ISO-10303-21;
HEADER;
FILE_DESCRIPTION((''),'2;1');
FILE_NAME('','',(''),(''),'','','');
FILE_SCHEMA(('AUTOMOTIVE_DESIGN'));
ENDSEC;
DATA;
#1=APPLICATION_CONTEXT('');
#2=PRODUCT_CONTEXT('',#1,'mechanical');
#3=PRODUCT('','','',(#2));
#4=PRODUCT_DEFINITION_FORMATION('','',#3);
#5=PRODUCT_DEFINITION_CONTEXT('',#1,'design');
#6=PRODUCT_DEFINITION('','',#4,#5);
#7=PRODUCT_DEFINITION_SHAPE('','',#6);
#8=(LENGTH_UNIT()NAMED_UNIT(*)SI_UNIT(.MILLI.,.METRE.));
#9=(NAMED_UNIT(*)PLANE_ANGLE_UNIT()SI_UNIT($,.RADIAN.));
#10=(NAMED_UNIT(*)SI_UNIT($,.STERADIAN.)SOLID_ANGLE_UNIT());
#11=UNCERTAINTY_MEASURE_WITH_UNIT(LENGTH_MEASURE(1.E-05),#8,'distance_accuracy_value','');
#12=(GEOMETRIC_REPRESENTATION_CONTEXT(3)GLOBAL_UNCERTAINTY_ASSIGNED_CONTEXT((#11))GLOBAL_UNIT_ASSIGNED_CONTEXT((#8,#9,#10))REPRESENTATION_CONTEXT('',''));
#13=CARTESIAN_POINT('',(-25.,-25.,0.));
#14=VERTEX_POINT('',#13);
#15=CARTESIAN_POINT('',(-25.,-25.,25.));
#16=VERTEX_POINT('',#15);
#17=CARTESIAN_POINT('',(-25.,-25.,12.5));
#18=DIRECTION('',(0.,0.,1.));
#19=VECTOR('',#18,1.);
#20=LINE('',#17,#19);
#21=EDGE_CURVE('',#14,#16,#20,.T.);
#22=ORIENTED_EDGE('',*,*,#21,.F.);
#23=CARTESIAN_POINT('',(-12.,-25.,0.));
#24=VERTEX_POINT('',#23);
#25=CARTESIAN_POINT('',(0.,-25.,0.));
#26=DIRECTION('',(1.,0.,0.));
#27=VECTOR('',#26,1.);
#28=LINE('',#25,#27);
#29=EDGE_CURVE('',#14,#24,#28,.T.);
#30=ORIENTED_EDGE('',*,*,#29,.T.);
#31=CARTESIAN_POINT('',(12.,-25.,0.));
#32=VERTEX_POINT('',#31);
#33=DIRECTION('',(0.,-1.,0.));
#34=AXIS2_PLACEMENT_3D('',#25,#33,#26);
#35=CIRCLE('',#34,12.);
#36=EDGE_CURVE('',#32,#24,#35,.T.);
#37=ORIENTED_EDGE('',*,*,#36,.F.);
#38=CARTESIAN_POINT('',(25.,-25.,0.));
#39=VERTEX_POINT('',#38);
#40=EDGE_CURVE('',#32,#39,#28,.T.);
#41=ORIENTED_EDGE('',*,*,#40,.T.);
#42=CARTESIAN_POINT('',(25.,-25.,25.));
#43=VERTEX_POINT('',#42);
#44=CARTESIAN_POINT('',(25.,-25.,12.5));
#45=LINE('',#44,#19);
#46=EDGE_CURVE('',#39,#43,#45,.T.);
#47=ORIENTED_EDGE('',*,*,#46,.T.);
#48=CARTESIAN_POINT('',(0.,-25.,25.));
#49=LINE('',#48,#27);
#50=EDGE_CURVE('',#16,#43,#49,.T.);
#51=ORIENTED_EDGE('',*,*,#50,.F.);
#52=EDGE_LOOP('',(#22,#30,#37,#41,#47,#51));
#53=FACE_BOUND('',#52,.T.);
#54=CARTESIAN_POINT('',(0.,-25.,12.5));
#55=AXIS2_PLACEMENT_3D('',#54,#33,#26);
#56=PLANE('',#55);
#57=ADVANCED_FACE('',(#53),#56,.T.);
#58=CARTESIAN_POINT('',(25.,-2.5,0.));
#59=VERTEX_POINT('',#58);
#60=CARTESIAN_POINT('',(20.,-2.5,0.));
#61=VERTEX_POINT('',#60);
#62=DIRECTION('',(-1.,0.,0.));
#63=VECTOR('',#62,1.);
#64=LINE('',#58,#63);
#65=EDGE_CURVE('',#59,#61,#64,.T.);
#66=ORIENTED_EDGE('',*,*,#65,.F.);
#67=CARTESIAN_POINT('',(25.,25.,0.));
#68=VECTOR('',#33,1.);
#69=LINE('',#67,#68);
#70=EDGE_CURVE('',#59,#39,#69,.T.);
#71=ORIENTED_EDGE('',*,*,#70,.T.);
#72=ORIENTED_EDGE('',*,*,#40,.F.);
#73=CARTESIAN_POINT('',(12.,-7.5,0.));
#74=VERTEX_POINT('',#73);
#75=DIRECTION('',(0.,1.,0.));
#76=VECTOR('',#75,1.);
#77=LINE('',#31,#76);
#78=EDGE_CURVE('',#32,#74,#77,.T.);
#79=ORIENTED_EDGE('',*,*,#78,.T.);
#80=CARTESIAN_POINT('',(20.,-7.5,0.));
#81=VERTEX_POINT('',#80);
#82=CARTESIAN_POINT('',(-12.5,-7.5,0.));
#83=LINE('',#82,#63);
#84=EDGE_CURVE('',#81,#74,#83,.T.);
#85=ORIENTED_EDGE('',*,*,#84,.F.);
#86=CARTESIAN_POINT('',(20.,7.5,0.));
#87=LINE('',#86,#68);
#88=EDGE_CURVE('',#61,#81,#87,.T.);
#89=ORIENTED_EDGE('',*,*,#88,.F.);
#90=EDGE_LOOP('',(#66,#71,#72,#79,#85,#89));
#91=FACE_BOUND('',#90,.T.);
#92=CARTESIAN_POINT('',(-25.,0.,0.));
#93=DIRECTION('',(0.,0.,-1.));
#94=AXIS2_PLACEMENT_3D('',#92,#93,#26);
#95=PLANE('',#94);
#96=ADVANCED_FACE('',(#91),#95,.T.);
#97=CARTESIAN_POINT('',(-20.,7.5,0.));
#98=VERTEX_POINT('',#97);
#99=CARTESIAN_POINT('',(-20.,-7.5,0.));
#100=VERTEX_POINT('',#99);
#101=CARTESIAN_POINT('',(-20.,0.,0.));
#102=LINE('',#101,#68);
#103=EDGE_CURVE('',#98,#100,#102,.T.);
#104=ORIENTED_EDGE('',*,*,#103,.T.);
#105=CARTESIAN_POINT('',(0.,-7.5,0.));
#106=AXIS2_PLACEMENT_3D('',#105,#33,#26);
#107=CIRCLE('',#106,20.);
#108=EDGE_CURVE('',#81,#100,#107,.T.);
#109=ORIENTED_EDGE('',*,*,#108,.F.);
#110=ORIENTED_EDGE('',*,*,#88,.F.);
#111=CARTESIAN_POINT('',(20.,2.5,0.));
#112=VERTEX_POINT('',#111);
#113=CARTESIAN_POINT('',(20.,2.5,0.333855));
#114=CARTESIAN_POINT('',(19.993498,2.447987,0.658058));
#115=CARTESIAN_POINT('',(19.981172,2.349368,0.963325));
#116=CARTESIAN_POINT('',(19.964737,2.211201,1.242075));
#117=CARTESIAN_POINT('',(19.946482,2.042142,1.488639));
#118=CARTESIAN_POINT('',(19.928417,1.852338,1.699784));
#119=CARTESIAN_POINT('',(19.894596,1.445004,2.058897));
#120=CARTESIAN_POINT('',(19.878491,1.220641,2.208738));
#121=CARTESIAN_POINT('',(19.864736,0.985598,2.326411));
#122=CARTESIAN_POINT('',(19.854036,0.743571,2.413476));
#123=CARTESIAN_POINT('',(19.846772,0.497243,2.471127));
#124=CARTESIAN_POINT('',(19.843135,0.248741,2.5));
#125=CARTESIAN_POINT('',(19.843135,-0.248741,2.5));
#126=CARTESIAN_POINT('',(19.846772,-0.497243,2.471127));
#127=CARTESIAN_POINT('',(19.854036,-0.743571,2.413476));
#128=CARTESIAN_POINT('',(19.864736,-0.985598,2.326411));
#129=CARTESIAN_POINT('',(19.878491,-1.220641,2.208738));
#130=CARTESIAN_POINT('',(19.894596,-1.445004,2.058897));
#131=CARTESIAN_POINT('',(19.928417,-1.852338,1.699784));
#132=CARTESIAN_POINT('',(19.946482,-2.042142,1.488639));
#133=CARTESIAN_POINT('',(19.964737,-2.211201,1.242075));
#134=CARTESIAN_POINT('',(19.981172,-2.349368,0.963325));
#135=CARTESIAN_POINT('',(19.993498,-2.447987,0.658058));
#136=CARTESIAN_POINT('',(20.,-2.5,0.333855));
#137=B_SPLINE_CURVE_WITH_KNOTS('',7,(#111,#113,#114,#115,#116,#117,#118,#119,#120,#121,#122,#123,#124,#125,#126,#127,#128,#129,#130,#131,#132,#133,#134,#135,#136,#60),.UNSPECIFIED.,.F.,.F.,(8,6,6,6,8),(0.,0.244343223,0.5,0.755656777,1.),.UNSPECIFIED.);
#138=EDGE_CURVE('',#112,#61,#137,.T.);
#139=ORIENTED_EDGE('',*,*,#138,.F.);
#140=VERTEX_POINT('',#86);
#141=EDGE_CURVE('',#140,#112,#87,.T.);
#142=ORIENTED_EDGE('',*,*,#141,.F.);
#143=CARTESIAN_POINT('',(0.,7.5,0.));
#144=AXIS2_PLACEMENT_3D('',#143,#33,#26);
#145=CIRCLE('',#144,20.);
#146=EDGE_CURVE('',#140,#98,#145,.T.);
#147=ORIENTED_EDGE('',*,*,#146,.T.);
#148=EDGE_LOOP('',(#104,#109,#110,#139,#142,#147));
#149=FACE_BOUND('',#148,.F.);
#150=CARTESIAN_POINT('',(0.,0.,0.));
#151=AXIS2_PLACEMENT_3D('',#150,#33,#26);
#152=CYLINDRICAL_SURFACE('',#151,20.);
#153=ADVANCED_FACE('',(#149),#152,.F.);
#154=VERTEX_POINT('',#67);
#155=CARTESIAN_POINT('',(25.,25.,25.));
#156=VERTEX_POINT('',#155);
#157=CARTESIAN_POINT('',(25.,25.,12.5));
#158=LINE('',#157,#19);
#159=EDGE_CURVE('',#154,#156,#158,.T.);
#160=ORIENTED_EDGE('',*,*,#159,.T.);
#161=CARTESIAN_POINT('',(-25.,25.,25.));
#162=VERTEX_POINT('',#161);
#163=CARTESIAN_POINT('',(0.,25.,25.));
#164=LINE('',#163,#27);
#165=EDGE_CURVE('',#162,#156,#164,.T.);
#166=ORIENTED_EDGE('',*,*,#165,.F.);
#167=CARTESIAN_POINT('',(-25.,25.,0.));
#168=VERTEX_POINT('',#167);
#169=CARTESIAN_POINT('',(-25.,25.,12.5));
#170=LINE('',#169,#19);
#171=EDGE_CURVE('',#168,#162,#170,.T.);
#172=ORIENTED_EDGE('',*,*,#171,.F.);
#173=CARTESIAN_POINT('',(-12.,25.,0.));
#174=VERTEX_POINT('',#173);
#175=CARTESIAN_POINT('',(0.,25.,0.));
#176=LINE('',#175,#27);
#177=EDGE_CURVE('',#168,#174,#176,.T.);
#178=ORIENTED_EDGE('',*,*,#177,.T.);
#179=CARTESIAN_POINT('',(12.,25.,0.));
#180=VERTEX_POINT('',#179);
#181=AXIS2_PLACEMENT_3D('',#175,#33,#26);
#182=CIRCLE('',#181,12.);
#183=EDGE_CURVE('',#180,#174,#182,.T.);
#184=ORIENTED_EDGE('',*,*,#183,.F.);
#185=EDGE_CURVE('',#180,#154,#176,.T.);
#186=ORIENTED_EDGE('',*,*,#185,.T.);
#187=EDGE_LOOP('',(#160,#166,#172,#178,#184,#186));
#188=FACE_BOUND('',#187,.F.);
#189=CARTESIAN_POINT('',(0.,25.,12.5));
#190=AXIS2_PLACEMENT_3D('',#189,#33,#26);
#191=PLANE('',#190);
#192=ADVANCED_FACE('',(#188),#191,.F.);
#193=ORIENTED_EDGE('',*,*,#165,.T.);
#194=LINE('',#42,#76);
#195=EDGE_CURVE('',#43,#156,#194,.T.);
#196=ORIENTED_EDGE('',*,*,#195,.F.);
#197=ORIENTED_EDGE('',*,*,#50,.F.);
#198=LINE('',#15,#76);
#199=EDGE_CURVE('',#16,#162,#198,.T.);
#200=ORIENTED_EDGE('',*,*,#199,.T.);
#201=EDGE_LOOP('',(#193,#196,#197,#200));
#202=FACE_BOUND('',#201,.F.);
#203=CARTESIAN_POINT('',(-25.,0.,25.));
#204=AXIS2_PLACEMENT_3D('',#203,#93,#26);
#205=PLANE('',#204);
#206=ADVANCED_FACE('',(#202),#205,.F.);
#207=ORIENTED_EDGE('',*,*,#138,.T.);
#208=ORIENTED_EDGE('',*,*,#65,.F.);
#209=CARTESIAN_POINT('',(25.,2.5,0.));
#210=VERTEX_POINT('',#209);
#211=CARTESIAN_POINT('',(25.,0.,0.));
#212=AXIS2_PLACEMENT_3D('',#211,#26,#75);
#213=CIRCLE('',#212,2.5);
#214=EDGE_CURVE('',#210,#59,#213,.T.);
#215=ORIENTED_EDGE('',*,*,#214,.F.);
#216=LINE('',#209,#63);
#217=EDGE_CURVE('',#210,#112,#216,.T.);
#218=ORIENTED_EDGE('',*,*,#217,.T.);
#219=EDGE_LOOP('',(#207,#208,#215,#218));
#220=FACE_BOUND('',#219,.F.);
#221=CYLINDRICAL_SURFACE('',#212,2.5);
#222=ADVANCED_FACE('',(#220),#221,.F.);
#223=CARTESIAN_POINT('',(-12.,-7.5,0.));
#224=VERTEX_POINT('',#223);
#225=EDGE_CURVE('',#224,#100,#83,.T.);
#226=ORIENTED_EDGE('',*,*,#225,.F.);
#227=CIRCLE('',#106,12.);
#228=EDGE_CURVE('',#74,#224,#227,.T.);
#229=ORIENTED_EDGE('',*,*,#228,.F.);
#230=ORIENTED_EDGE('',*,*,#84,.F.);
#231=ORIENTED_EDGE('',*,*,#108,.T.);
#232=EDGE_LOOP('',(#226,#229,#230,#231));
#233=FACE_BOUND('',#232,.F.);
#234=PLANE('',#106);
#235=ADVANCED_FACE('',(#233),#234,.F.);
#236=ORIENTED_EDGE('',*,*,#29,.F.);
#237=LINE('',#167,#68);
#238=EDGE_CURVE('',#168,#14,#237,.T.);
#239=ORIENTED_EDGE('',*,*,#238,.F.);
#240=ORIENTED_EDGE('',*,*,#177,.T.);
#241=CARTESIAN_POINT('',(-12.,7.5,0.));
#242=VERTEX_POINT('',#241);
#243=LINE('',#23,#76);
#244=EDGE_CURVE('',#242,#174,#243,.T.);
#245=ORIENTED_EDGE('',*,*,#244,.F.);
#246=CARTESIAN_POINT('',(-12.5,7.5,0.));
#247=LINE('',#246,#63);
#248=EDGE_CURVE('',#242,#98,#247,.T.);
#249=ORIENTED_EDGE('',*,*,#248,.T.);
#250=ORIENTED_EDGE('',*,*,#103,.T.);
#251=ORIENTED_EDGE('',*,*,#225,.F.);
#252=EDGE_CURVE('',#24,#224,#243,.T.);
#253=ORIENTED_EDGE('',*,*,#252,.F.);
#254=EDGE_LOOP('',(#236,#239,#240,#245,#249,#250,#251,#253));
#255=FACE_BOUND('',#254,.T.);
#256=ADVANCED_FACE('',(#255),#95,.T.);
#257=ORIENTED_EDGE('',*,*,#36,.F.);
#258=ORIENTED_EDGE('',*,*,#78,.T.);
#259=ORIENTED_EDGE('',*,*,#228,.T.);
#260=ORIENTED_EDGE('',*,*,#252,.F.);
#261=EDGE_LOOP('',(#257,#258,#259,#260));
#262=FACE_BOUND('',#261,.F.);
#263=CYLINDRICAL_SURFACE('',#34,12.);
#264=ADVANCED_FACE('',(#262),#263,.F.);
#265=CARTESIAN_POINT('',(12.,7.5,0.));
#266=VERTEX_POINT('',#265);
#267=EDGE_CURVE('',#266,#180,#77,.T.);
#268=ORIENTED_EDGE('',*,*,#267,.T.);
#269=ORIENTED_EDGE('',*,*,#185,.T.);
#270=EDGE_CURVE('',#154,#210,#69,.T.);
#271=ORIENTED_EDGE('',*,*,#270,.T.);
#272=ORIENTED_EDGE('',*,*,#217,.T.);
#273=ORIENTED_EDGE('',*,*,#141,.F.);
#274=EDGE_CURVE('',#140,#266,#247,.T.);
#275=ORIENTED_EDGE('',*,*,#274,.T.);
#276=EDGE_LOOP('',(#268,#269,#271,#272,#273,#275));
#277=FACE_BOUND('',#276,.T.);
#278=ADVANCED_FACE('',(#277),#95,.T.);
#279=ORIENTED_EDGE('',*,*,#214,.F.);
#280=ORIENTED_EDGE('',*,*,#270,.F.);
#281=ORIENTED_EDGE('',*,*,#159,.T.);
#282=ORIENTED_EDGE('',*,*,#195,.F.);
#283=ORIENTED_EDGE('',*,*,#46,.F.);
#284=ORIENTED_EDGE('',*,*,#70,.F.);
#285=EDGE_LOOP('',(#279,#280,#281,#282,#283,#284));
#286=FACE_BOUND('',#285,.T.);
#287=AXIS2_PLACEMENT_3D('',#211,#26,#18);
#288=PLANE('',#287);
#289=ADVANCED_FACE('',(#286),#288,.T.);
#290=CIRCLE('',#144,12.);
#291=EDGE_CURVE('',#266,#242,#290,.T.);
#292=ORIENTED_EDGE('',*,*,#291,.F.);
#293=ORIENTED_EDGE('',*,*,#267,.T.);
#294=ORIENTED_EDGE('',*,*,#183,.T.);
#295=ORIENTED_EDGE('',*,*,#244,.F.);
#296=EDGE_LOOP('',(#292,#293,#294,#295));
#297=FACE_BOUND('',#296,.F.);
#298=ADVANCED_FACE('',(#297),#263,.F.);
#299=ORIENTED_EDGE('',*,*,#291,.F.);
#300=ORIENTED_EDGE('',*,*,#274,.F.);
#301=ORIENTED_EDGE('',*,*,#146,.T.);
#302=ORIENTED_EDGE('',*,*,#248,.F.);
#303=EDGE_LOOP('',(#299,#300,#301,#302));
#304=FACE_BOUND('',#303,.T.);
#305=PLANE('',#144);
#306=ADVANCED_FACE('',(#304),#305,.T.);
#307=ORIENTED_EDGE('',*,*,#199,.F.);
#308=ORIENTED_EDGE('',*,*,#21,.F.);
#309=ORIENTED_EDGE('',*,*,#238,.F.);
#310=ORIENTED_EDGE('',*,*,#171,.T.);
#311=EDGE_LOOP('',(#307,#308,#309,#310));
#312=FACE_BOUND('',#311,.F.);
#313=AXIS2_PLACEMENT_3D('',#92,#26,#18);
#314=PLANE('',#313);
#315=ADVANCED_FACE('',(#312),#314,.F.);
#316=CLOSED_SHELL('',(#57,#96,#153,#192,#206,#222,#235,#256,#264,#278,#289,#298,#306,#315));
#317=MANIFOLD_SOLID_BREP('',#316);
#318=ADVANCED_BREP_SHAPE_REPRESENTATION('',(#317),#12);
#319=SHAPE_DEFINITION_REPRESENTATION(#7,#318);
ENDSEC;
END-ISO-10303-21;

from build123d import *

# Parameters (mm, degrees)
F0_W     = 50
F0_H     = 25
F1_DEPTH = 25
F3_DEPTH = 25
F4_R     = 20
F5_DEPTH = 7.5
F7_DEPTH = 50.001


with BuildPart() as f1:
    # F0 (on Front) → F1 (new body, symmetric)
    with BuildSketch(Plane.XZ):
        with Locations((0, 12.5)):
            Rectangle(F0_W, F0_H)
    extrude(amount=F1_DEPTH, both=True)

    # F2 (on face) → F3 (cut)
    with BuildSketch(Plane.YZ.offset(25)):
        with BuildLine():
            Line((-2.5, 0), (2.5, 0))
            ThreePointArc((2.5, 0), (0, 2.5), (-2.5, 0))
        make_face()
    extrude(amount=-F3_DEPTH, mode=Mode.SUBTRACT)

    # F4 (on Front) → F5 (cut, symmetric)
    with BuildSketch(Plane.XZ):
        Circle(F4_R)
    extrude(amount=F5_DEPTH, both=True, mode=Mode.SUBTRACT)

    # F6 (on face) → F7 (cut, through all)
    with BuildSketch(Plane.XZ.offset(25)):
        with BuildLine():
            Line((-12, 0), (12, 0))
            ThreePointArc((12, 0), (0, 12), (-12, 0))
        make_face()
    extrude(amount=-F7_DEPTH, mode=Mode.SUBTRACT)


solid = f1.part
